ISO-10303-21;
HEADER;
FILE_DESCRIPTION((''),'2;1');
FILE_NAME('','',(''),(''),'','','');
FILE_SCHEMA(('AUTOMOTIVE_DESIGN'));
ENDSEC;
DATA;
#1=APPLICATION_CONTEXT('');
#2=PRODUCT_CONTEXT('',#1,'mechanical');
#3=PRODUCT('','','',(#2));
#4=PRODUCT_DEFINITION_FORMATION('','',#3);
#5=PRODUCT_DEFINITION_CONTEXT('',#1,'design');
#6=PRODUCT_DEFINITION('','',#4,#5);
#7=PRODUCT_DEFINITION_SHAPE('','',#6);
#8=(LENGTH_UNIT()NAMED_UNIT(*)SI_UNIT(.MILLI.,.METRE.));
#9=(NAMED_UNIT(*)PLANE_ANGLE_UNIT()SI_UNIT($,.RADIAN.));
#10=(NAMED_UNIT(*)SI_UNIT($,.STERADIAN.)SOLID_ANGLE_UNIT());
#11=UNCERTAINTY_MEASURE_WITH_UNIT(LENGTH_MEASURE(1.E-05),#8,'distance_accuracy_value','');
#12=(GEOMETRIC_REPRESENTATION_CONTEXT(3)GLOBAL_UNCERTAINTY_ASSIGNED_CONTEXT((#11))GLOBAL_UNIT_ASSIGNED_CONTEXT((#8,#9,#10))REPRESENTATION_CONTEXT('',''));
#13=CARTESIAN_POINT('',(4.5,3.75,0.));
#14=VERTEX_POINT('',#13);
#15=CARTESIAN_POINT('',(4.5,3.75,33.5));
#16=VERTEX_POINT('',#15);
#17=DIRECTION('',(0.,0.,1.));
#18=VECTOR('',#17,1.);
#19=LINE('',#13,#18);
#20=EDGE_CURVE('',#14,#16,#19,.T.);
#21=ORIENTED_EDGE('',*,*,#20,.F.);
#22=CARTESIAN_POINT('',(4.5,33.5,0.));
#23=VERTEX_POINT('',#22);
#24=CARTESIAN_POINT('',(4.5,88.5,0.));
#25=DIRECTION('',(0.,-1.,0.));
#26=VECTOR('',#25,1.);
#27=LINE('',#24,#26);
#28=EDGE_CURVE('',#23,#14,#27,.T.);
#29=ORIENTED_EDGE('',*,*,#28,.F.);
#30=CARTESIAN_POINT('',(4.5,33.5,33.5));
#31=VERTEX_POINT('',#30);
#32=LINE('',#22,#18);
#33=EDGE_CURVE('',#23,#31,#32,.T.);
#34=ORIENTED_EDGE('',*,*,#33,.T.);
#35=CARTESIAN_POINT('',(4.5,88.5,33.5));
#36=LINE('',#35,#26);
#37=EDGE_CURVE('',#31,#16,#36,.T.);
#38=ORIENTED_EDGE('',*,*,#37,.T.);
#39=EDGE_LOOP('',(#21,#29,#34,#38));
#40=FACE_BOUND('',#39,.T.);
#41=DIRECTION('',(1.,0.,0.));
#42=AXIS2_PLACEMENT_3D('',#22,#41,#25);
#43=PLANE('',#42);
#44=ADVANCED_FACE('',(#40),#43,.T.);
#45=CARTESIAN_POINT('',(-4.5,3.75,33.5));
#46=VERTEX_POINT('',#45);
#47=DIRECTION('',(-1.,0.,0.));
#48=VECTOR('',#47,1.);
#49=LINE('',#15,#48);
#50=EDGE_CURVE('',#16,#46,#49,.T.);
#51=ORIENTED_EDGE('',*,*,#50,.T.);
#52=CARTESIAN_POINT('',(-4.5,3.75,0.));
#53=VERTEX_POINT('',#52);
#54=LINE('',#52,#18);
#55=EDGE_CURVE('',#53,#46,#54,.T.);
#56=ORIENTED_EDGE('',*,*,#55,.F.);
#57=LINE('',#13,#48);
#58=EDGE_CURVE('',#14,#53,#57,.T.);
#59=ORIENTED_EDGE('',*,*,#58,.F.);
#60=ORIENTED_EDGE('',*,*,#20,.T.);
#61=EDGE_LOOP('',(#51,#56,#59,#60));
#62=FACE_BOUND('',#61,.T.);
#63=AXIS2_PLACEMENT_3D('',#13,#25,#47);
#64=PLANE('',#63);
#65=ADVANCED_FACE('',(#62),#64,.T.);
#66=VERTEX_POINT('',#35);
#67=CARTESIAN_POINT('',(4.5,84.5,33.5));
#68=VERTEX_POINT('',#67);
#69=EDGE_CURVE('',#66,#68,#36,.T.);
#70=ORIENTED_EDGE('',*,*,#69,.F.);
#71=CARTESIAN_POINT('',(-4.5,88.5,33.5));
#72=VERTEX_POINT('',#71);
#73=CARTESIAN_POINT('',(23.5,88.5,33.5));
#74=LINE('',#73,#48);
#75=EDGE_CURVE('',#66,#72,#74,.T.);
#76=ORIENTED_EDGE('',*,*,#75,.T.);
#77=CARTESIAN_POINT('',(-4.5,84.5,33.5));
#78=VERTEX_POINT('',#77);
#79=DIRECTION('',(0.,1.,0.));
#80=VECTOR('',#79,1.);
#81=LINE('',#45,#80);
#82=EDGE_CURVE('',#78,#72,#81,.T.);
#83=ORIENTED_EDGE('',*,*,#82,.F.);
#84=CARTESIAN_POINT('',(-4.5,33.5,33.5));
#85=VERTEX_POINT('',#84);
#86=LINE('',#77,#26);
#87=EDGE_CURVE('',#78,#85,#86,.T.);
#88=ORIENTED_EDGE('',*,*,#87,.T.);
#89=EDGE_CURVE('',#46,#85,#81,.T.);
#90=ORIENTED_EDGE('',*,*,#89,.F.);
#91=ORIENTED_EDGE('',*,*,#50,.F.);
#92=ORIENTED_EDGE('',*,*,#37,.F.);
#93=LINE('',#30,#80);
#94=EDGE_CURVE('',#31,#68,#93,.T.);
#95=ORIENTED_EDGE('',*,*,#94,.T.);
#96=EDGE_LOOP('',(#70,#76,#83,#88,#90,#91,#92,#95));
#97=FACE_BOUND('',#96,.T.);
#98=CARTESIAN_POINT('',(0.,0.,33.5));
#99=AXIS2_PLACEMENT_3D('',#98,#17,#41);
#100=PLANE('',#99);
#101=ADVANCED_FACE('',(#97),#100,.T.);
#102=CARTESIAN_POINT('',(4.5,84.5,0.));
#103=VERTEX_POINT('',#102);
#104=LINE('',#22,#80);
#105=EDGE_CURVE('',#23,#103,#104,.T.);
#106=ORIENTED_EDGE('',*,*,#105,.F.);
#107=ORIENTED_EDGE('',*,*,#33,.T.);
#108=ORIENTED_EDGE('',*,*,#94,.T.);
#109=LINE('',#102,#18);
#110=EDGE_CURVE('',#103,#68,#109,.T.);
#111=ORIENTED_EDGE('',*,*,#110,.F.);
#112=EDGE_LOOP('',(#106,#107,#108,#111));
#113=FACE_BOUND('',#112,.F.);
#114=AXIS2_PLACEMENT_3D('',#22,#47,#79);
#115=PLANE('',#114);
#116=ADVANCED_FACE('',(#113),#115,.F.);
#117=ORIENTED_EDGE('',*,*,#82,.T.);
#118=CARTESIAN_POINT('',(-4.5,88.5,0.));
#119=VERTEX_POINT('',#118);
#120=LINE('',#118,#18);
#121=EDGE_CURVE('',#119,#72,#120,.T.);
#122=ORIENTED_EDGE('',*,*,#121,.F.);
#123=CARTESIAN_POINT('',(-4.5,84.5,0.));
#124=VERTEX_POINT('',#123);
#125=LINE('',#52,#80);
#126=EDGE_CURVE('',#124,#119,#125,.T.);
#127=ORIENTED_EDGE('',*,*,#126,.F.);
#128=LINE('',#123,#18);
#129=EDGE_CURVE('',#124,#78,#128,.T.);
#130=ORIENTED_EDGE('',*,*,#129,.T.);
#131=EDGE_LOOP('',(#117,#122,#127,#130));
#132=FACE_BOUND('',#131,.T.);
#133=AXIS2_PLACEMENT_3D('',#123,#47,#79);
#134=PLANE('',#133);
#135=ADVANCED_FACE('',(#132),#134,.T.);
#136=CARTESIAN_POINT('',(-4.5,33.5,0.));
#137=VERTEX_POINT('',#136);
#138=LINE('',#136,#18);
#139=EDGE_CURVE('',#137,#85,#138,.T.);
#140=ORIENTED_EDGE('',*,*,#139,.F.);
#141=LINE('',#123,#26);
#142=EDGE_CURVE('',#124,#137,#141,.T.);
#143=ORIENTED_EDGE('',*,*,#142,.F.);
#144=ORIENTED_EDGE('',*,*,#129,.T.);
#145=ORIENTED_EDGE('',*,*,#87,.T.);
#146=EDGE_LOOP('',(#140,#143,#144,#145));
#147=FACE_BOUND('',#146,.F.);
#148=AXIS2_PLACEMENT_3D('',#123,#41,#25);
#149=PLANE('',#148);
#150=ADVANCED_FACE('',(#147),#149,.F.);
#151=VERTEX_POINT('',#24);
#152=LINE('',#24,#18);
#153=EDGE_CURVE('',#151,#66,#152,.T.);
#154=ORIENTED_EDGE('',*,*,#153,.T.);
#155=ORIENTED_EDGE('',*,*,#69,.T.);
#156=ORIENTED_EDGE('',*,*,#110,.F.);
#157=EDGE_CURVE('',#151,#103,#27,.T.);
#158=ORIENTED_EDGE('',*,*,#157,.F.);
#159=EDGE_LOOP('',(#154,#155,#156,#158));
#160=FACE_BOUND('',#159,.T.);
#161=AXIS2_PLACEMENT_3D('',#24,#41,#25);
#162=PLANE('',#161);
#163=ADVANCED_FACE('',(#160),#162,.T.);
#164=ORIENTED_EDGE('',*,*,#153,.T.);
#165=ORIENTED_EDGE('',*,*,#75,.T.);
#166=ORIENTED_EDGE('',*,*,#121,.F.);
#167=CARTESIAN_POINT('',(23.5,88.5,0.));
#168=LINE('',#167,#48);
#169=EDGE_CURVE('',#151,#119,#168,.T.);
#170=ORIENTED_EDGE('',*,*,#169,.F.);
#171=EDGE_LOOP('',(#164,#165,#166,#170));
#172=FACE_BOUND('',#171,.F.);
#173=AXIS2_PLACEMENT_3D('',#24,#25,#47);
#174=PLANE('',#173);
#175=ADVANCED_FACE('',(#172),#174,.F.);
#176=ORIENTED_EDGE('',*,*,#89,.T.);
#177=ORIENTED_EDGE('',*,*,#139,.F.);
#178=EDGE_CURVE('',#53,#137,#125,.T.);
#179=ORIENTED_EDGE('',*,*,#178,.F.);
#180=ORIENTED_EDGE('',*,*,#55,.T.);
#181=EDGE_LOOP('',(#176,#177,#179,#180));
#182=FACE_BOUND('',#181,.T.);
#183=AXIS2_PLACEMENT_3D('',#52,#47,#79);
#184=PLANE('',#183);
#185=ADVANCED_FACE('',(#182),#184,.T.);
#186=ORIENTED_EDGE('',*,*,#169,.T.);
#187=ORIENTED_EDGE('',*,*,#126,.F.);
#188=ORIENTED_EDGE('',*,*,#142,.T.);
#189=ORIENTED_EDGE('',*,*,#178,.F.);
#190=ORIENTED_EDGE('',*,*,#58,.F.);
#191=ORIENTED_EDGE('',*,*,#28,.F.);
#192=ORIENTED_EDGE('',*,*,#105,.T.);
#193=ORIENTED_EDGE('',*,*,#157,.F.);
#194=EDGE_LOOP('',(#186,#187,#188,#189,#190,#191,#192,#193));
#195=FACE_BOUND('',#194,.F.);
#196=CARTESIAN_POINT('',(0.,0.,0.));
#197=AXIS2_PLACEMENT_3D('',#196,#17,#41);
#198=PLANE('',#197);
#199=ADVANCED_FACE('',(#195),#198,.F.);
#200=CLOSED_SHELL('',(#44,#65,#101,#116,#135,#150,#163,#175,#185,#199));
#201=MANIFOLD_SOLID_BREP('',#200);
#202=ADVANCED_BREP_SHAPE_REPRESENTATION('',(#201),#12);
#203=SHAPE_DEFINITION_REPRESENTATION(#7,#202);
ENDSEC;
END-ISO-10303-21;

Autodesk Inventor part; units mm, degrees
ref_plane "YZ Plane" through (0, 0, 0) normal (1, 0, 0) x (0, 1, 0)
ref_plane "XZ Plane" through (0, 0, 0) normal (0, 1, 0) x (-1, 0, 0)
ref_plane "Work Plane1" through (0, 0, 0) normal (0, 0, 1) x (1, 0, 0)
ref_plane "Work Plane2" through (-89, -40.3889, 33.5) normal (0, 0, 1) x (1, 0, 0)
sketch "Sketch1" plane through (0, 0, 0) normal (0, 0, 1) x (1, 0, 0)
  line L0 (23.5, 88.5) -> (-23.5, 88.5) projected
  line L1 (-23.5, 88.5) -> (-23.5, 33.5) projected
  line L2 (-23.5, 33.5) -> (-89, 33.5) projected
  line L3 (-89, 33.5) -> (-89, -73.5) projected
  line L4 (-89, -73.5) -> (-74, -73.5) projected
  line L5 (-74, -73.5) -> (-74, -93.5) projected
  line L6 (-74, -93.5) -> (74, -93.5) projected
  line L7 (74, -93.5) -> (74, -73.5) projected
  line L8 (74, -73.5) -> (89, -73.5) projected
  line L9 (89, -73.5) -> (89, 33.5) projected
  line L10 (89, 33.5) -> (23.5, 33.5) projected
  line L11 (23.5, 33.5) -> (23.5, 88.5) projected
  line L12 (-4.5, 84.5) -> (-4.5, 33.5) projected
  line L13 (-4.5, 33.5) -> (-16.5, 33.5) projected
  line L14 (-16.5, 33.5) -> (-16.5, 84.5) projected
  line L15 (4.5, 84.5) -> (16.5, 84.5) projected
  line L16 (16.5, 84.5) -> (16.5, 33.5) projected
  line L17 (16.5, 33.5) -> (4.5, 33.5) projected
  line L18 (4.5, 33.5) -> (4.5, 84.5) projected
  line L19 (-16.5, 84.5) -> (-4.5, 84.5) projected
  line L20 (-4.5, 88.5) -> (4.5, 88.5)
  line L21 (4.5, 88.5) -> (4.5, 3.75)
  line L22 (4.5, 3.75) -> (-4.5, 3.75)
  line L23 (-4.5, 3.75) -> (-4.5, 88.5)
  line L24 (-32.2, 4.75) -> (-59.9, 4.75)
  point P0 (0, 0)
  point P1 (-4.5, 84.5)
  point P2 (-4.5, 33.5)
  dimension "d0" = 1
extrude "Extrusion1" add sketch "Sketch1" along normal up to surface (33.5 mm away) contours L21 L18 L22 L23 L12 L0
properties part number "middle_gear_holder"
